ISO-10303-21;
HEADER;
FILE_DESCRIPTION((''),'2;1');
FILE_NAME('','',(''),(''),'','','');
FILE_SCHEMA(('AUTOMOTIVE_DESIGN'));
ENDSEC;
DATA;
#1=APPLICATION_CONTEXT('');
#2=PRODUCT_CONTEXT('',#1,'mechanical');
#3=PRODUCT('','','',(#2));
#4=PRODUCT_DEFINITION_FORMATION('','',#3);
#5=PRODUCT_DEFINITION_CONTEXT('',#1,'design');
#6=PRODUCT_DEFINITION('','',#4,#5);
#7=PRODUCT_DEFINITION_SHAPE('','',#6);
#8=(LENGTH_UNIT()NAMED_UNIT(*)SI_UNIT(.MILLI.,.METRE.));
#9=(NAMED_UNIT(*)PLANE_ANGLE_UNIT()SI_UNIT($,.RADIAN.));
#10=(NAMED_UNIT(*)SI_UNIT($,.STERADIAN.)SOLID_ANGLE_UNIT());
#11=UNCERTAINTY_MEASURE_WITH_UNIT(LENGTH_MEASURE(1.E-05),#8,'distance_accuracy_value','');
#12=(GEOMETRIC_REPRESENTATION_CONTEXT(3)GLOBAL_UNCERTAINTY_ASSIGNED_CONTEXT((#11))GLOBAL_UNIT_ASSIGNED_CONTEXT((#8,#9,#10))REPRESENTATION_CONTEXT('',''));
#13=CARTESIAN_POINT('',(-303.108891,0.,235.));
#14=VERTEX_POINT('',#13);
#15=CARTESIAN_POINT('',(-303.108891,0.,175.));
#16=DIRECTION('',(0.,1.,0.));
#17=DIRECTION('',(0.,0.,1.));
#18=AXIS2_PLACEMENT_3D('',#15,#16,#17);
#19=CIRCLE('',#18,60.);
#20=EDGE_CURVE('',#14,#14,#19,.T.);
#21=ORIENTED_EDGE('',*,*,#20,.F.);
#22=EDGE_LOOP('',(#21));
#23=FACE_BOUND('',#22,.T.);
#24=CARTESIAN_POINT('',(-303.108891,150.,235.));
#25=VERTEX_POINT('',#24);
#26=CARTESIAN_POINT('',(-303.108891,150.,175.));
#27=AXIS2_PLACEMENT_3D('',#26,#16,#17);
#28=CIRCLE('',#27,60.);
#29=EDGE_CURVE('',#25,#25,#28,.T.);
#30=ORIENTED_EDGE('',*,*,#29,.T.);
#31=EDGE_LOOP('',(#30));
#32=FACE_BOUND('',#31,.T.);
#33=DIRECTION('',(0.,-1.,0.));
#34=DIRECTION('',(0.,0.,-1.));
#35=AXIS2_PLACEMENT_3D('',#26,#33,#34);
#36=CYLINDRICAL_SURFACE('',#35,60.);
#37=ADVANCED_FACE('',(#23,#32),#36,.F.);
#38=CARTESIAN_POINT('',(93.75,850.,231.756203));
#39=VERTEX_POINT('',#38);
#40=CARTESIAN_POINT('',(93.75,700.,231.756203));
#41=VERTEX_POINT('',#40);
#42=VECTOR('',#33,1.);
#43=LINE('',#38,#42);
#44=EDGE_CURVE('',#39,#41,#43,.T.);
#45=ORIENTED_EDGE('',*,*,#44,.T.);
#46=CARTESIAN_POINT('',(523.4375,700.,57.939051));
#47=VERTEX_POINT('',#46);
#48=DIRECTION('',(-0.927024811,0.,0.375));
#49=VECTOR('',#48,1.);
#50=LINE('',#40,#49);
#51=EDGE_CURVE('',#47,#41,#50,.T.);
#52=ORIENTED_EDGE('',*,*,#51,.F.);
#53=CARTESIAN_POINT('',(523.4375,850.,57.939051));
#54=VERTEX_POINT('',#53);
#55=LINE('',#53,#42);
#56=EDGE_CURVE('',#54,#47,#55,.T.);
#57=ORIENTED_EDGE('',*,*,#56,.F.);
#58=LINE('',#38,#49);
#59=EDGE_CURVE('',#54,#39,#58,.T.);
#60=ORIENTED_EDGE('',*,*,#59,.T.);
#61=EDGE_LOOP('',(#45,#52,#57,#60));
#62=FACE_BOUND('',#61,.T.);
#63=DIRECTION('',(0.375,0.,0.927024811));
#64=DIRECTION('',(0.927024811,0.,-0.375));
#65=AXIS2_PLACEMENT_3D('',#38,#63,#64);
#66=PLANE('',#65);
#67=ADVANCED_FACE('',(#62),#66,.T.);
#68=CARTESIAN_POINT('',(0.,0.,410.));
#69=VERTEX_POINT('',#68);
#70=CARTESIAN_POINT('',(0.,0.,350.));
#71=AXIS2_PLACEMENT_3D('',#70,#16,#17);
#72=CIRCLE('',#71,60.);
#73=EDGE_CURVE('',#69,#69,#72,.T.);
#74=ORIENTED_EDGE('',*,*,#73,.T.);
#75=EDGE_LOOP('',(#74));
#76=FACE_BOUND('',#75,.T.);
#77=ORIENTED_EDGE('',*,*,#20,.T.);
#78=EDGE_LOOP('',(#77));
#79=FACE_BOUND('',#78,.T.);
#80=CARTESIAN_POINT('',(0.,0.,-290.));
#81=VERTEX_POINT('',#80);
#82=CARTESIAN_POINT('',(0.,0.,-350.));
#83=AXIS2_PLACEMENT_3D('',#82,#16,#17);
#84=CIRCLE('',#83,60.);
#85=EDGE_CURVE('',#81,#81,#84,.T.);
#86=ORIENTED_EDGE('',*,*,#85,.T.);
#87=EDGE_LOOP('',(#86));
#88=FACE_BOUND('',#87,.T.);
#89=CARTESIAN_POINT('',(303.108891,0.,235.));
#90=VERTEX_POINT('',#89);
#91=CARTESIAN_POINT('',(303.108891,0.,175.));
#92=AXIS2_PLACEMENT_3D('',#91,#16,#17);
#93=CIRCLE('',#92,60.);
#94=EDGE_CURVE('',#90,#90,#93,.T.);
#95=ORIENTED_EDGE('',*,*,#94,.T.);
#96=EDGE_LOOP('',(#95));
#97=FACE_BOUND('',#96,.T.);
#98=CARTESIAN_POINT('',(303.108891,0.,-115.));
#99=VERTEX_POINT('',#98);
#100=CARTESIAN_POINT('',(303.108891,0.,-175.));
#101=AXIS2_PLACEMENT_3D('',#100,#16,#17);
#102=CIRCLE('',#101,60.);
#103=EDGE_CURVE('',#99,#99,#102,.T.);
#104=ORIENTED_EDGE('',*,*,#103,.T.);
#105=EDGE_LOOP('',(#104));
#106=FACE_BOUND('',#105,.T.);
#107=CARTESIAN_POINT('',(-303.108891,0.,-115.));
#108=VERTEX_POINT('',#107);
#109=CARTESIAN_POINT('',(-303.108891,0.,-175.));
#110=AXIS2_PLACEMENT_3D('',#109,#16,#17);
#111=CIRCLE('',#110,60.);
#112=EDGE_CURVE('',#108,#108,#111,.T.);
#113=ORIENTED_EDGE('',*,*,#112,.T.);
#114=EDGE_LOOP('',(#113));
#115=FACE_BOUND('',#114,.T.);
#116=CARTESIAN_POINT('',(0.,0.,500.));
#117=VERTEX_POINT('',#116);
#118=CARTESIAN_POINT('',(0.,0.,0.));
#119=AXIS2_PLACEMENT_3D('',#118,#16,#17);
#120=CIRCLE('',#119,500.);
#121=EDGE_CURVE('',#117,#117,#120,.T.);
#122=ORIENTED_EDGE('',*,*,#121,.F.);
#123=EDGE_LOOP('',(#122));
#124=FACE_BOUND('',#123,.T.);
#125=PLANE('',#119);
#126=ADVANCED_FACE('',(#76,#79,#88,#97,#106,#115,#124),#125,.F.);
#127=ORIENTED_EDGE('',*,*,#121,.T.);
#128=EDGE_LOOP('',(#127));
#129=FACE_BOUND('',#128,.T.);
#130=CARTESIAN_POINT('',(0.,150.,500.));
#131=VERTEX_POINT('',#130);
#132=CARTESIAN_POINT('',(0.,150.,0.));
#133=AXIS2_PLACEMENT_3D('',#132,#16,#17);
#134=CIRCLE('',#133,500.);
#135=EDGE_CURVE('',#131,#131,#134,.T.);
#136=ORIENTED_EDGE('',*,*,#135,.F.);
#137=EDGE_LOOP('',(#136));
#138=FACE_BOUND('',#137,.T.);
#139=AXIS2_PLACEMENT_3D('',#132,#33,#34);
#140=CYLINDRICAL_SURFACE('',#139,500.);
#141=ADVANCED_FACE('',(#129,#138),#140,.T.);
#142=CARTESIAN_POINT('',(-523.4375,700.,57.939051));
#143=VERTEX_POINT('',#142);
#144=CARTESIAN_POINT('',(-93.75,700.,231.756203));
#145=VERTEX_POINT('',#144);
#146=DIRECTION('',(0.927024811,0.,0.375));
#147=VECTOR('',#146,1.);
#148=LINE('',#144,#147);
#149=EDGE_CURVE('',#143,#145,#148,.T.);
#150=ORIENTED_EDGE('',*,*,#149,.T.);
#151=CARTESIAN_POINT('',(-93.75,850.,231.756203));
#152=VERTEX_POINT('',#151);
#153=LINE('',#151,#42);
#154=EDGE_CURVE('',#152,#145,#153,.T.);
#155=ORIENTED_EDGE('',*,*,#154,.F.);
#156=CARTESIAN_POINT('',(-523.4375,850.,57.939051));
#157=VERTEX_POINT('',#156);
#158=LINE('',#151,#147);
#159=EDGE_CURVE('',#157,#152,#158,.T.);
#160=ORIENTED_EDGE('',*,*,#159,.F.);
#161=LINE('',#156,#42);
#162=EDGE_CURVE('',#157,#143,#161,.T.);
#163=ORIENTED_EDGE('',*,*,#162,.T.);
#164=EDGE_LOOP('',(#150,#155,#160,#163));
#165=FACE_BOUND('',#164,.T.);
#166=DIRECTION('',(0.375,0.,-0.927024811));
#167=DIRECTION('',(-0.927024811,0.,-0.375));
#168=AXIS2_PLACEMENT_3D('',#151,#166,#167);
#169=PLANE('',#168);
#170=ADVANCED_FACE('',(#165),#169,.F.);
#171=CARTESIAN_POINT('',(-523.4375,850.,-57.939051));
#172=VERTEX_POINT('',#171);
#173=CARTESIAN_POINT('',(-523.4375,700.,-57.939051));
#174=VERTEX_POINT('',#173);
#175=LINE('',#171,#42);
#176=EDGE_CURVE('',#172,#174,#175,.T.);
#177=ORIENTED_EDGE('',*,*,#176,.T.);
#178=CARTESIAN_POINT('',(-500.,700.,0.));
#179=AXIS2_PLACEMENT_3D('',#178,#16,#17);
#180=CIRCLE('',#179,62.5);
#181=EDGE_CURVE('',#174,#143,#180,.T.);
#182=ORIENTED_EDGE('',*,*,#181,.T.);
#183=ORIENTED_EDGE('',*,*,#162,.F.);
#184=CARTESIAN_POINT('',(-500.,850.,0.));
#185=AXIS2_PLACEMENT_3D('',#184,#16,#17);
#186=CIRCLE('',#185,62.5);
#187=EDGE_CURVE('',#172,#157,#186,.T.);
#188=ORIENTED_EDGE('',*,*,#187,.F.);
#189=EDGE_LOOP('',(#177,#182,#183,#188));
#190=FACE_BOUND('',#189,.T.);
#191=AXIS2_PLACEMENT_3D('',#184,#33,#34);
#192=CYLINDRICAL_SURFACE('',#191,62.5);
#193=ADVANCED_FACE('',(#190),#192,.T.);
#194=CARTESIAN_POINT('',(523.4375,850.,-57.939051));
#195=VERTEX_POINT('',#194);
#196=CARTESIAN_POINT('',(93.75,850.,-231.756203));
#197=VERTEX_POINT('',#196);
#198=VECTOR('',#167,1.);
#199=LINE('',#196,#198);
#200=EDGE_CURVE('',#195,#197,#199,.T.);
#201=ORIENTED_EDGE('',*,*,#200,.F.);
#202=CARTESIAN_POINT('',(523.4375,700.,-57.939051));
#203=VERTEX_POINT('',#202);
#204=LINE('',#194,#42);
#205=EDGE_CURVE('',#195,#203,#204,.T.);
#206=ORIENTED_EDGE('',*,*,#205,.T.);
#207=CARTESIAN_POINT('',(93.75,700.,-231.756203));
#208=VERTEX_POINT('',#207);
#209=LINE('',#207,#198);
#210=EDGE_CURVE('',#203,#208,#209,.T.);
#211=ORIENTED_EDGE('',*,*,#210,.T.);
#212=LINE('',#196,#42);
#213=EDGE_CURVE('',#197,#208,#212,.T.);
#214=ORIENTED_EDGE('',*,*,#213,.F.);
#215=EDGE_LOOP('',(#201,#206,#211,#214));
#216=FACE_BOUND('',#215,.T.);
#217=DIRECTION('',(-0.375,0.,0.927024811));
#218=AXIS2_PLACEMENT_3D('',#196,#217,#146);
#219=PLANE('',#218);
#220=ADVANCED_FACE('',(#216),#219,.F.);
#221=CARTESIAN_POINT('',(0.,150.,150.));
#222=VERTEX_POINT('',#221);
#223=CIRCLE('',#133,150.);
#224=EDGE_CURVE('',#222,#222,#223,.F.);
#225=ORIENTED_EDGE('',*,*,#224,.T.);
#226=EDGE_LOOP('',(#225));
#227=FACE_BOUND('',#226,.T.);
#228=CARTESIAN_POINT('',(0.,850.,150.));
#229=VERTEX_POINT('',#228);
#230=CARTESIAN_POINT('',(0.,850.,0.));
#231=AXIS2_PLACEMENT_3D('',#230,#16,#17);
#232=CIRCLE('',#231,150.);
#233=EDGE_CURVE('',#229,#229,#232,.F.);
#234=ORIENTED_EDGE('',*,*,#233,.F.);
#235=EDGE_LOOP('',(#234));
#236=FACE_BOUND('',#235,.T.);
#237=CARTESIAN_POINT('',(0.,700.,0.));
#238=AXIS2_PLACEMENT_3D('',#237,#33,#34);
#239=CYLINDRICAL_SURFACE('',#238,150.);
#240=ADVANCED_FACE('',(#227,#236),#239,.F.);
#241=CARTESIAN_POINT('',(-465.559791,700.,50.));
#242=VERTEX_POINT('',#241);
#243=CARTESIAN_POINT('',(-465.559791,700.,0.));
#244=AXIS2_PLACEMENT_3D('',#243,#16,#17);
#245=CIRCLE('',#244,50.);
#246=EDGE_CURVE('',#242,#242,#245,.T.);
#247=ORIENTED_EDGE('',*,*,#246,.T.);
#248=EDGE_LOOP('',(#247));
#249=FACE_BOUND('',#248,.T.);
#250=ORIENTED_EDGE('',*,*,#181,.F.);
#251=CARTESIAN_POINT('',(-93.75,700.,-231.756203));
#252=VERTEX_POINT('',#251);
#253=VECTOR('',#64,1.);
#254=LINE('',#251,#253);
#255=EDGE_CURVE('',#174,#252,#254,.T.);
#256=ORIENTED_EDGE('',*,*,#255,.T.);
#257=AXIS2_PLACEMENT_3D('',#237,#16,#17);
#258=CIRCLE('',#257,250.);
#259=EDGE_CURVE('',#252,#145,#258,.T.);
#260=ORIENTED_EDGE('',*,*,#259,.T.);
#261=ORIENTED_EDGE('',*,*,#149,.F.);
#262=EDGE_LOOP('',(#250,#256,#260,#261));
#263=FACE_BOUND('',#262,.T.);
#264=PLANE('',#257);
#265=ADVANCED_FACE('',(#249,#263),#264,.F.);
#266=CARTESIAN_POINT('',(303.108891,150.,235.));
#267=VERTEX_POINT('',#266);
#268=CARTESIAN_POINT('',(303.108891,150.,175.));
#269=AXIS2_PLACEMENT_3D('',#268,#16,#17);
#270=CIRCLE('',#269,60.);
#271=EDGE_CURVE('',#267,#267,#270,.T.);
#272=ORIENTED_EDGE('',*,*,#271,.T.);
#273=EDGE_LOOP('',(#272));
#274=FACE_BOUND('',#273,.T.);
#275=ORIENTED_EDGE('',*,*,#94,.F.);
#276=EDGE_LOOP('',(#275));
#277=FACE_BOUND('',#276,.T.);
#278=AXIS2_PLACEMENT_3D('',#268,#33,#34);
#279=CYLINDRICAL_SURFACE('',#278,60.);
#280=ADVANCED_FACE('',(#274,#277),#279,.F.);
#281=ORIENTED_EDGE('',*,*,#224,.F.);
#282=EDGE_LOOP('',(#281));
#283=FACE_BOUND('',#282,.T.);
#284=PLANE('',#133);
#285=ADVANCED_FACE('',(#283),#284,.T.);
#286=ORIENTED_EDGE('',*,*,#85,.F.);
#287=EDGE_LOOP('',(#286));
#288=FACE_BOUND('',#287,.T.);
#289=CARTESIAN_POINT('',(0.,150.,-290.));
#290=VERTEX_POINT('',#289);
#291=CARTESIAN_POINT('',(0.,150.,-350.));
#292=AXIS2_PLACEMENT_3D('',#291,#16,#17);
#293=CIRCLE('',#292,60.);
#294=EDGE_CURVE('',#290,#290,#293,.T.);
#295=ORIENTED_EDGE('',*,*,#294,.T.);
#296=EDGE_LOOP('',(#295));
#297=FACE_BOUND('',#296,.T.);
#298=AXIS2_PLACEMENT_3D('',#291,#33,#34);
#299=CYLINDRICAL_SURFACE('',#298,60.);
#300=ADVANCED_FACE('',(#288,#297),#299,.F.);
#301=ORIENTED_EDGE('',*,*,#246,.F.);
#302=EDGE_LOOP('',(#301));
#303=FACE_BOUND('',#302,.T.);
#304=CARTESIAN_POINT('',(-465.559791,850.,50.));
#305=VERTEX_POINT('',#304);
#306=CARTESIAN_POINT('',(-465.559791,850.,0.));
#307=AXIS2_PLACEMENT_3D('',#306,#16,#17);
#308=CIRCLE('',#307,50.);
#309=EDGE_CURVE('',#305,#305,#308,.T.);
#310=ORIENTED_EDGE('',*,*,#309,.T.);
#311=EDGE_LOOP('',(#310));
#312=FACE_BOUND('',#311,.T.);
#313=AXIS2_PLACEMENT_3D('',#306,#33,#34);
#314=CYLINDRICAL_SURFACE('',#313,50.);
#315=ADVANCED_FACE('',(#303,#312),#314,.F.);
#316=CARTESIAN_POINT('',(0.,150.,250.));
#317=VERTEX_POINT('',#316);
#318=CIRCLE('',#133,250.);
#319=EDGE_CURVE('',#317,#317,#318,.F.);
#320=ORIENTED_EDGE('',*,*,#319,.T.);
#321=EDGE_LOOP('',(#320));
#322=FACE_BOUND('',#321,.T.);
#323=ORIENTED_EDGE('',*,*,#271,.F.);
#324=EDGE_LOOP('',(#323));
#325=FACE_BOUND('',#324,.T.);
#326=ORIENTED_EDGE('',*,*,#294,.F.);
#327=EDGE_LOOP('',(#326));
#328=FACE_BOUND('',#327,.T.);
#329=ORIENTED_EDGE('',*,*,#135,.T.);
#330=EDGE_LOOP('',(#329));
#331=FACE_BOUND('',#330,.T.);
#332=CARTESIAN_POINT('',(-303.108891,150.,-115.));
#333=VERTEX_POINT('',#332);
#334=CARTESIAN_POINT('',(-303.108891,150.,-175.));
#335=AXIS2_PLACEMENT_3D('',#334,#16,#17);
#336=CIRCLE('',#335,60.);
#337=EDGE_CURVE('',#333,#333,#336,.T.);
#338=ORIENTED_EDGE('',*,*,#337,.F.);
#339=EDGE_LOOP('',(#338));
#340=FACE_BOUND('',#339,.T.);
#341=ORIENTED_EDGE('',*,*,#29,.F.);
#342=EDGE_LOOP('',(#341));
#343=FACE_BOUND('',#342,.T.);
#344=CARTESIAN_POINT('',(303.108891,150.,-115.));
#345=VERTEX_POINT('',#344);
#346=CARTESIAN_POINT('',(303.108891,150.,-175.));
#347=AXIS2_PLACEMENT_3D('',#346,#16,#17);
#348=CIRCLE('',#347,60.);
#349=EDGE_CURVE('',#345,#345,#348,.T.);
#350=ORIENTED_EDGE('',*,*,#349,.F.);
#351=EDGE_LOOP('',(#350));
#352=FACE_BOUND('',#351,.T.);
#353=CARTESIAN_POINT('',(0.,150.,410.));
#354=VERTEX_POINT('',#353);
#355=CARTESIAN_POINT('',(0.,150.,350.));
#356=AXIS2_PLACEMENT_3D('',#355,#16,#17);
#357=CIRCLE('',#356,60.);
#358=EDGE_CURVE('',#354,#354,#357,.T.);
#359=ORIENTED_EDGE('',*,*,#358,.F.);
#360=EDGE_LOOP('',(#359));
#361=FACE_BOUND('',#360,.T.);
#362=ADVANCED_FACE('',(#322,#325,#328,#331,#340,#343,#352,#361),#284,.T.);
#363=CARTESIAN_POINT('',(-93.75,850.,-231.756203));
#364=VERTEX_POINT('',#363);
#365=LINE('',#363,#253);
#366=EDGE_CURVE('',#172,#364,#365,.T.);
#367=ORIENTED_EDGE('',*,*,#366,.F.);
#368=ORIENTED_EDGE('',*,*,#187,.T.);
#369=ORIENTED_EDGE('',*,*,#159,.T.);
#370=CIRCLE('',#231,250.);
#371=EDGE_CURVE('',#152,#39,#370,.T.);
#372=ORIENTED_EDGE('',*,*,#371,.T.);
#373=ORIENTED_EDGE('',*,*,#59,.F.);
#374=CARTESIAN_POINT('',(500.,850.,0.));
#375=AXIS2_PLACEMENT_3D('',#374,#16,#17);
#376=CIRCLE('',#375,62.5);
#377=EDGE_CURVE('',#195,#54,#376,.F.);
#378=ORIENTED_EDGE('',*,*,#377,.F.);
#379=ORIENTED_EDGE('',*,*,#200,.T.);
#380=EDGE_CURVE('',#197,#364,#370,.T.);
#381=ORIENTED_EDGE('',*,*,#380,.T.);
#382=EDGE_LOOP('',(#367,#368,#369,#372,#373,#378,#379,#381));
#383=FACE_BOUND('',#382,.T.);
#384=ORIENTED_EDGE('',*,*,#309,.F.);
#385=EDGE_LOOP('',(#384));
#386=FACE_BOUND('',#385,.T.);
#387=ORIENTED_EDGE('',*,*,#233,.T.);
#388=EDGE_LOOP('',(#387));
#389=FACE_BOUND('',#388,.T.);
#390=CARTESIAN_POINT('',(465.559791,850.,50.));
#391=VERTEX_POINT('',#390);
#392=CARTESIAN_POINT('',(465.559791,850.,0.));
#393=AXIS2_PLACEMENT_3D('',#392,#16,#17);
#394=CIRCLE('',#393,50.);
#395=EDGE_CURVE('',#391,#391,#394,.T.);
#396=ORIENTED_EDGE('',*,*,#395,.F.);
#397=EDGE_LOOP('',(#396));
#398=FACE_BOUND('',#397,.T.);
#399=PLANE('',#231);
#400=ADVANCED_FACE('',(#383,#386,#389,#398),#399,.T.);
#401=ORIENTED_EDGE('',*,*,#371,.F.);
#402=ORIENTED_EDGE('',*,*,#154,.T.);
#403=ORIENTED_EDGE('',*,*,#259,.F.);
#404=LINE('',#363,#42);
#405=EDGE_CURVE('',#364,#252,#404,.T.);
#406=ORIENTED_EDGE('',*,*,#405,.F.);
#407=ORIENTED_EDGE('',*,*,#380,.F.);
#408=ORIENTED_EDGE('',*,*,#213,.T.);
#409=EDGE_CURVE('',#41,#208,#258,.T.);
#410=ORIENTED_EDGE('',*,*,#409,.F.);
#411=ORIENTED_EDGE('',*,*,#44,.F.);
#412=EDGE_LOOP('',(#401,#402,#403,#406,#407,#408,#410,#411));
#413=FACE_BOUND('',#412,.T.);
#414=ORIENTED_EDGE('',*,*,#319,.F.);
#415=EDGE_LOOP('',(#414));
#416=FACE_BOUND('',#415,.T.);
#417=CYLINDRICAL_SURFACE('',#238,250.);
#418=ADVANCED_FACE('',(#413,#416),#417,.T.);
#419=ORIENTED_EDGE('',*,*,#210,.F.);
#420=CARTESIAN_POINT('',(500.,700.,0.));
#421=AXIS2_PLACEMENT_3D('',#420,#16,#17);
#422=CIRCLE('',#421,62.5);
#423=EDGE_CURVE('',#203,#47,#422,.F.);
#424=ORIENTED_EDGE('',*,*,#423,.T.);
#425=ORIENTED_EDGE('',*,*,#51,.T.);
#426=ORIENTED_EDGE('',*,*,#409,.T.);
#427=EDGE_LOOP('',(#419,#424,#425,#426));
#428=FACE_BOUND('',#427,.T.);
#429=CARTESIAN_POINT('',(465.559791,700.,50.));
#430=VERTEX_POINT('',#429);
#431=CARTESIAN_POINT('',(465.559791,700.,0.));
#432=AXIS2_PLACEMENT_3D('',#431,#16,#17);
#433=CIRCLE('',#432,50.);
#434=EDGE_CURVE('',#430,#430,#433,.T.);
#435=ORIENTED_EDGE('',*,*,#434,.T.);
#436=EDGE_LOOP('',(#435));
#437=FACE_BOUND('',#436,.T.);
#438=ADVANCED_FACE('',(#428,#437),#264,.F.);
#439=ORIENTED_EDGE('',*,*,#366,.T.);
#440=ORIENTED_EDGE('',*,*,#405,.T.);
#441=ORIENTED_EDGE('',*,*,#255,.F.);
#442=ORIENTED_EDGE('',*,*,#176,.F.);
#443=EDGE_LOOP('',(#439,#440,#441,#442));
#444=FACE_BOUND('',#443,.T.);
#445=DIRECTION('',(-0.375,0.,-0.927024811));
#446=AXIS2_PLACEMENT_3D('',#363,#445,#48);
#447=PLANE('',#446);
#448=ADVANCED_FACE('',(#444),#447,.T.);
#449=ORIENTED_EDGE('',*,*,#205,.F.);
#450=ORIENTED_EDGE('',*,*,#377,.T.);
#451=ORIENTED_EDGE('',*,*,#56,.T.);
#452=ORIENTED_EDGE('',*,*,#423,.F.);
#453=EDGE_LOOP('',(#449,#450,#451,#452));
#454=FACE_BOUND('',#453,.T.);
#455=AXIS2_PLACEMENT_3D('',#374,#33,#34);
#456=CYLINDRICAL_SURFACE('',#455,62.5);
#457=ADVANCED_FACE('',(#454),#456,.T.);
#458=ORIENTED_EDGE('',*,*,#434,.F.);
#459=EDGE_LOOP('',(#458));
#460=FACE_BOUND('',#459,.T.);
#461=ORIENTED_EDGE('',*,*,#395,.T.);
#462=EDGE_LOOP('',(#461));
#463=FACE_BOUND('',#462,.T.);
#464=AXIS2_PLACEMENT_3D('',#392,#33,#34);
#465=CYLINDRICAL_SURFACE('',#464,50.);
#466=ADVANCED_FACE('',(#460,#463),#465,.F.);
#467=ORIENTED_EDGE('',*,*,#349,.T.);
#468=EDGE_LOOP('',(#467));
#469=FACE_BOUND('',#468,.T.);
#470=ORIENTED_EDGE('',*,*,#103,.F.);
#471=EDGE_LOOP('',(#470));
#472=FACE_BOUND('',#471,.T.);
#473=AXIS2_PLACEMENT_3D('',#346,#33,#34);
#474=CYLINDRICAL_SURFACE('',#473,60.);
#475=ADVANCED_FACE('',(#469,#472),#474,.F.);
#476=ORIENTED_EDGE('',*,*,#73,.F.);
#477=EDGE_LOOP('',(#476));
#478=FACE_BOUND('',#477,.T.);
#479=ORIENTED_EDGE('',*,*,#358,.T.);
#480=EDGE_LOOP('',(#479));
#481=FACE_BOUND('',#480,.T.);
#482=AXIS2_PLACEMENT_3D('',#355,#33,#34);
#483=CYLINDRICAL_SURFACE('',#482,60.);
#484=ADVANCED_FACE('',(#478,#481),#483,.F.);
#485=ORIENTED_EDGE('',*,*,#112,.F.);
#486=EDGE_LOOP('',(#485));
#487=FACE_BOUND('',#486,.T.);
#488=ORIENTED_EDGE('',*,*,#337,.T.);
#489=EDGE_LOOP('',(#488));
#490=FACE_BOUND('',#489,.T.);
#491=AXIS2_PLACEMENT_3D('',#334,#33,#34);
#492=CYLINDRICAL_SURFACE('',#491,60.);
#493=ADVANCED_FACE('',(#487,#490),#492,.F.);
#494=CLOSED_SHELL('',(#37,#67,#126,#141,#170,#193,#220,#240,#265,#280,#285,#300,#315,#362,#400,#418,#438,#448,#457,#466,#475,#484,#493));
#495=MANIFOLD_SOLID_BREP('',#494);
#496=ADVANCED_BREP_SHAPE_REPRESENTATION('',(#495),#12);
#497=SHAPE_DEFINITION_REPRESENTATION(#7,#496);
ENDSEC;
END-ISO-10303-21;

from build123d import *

# Parameters (mm, degrees)
SKETCH1_R           = 500
SKETCH1_R_2         = 60
BOSS_EXTRUDE1_DEPTH = 150
SKETCH3_R           = 250
SKETCH3_R_2         = 150
BOSS_EXTRUDE2_DEPTH = 700
SKETCH5_R           = 50
SKETCH5_R_2         = 250
SKETCH5_R_3         = 150
BOSS_EXTRUDE3_DEPTH = 150


with BuildPart() as part:
    # Sketch1 → Boss-Extrude1 (new body)
    with BuildSketch(Plane(origin=(0, 0, 0), x_dir=(1, 0, 0), z_dir=(0, 1, 0))):
        with Locations(Location((0, 0, 0), (0, 0, 270))):
            Circle(SKETCH1_R)
        with Locations(Location((0, 350, 0), (0, 0, 270))):
            Circle(SKETCH1_R_2, mode=Mode.SUBTRACT)
        with Locations(Location((303.108891325, 175, 0), (0, 0, 270))):
            Circle(SKETCH1_R_2, mode=Mode.SUBTRACT)
        with Locations(Location((303.108891325, -175, 0), (0, 0, 270))):
            Circle(SKETCH1_R_2, mode=Mode.SUBTRACT)
        with Locations(Location((0, -350, 0), (0, 0, 270))):
            Circle(SKETCH1_R_2, mode=Mode.SUBTRACT)
        with Locations(Location((-303.108891325, -175, 0), (0, 0, 270))):
            Circle(SKETCH1_R_2, mode=Mode.SUBTRACT)
        with Locations(Location((-303.108891325, 175, 0), (0, 0, 270))):
            Circle(SKETCH1_R_2, mode=Mode.SUBTRACT)
    extrude(amount=BOSS_EXTRUDE1_DEPTH)

    # Sketch3 → Boss-Extrude2 (add)
    with BuildSketch(Plane(origin=(0, 0, 0), x_dir=(1, 0, 0), z_dir=(0, 1, 0))):
        with Locations(Location((0, 0, 0), (0, 0, 270))):
            Circle(SKETCH3_R)
        with Locations(Location((0, 0, 0), (0, 0, 270))):
            Circle(SKETCH3_R_2, mode=Mode.SUBTRACT)
    extrude(amount=BOSS_EXTRUDE2_DEPTH)

    # Sketch5 → Boss-Extrude3 (add)
    # profile 1 of 3: a face of its own
    with BuildSketch(Plane(origin=(0, 700, 0), x_dir=(1, 0, 0), z_dir=(0, 1, 0))):
        with BuildLine():
            Line((-93.75, 231.756202722), (-523.4375, 57.93905068))
            ThreePointArc((-523.4375, 57.93905068), (-562.5, 0), (-523.4375, -57.93905068))
            Line((-523.4375, -57.93905068), (-93.75, -231.756202722))
            ThreePointArc((-93.75, -231.756202722), (-250, 0), (-93.75, 231.756202722))
        make_face()
        with Locations(Location((-465.559791402, 0, 0), (0, 0, 270))):
            Circle(SKETCH5_R, mode=Mode.SUBTRACT)
    # profile 2 of 3: a face of its own
    with BuildSketch(Plane(origin=(0, 700, 0), x_dir=(1, 0, 0), z_dir=(0, 1, 0))):
        with BuildLine():
            Line((523.4375, 57.93905068), (93.75, 231.756202722))
            ThreePointArc((93.75, 231.756202722), (207.289049397, 139.754248594), (250, 0))
            ThreePointArc((250, 0), (207.289049397, -139.754248594), (93.75, -231.756202722))
            Line((93.75, -231.756202722), (523.4375, -57.93905068))
            ThreePointArc((523.4375, -57.93905068), (562.5, 0), (523.4375, 57.93905068))
        make_face()
        with Locations(Location((465.559791402, 0, 0), (0, 0, 270))):
            Circle(SKETCH5_R, mode=Mode.SUBTRACT)
    # profile 3 of 3: a face of its own
    with BuildSketch(Plane(origin=(0, 700, 0), x_dir=(1, 0, 0), z_dir=(0, 1, 0))):
        with Locations(Location((0, 0, 0), (0, 0, 112.024312837))):
            Circle(SKETCH5_R_2)
        with Locations(Location((0, 0, 0), (0, 0, 270))):
            Circle(SKETCH5_R_3, mode=Mode.SUBTRACT)
    extrude(amount=BOSS_EXTRUDE3_DEPTH)


solid = part.part
